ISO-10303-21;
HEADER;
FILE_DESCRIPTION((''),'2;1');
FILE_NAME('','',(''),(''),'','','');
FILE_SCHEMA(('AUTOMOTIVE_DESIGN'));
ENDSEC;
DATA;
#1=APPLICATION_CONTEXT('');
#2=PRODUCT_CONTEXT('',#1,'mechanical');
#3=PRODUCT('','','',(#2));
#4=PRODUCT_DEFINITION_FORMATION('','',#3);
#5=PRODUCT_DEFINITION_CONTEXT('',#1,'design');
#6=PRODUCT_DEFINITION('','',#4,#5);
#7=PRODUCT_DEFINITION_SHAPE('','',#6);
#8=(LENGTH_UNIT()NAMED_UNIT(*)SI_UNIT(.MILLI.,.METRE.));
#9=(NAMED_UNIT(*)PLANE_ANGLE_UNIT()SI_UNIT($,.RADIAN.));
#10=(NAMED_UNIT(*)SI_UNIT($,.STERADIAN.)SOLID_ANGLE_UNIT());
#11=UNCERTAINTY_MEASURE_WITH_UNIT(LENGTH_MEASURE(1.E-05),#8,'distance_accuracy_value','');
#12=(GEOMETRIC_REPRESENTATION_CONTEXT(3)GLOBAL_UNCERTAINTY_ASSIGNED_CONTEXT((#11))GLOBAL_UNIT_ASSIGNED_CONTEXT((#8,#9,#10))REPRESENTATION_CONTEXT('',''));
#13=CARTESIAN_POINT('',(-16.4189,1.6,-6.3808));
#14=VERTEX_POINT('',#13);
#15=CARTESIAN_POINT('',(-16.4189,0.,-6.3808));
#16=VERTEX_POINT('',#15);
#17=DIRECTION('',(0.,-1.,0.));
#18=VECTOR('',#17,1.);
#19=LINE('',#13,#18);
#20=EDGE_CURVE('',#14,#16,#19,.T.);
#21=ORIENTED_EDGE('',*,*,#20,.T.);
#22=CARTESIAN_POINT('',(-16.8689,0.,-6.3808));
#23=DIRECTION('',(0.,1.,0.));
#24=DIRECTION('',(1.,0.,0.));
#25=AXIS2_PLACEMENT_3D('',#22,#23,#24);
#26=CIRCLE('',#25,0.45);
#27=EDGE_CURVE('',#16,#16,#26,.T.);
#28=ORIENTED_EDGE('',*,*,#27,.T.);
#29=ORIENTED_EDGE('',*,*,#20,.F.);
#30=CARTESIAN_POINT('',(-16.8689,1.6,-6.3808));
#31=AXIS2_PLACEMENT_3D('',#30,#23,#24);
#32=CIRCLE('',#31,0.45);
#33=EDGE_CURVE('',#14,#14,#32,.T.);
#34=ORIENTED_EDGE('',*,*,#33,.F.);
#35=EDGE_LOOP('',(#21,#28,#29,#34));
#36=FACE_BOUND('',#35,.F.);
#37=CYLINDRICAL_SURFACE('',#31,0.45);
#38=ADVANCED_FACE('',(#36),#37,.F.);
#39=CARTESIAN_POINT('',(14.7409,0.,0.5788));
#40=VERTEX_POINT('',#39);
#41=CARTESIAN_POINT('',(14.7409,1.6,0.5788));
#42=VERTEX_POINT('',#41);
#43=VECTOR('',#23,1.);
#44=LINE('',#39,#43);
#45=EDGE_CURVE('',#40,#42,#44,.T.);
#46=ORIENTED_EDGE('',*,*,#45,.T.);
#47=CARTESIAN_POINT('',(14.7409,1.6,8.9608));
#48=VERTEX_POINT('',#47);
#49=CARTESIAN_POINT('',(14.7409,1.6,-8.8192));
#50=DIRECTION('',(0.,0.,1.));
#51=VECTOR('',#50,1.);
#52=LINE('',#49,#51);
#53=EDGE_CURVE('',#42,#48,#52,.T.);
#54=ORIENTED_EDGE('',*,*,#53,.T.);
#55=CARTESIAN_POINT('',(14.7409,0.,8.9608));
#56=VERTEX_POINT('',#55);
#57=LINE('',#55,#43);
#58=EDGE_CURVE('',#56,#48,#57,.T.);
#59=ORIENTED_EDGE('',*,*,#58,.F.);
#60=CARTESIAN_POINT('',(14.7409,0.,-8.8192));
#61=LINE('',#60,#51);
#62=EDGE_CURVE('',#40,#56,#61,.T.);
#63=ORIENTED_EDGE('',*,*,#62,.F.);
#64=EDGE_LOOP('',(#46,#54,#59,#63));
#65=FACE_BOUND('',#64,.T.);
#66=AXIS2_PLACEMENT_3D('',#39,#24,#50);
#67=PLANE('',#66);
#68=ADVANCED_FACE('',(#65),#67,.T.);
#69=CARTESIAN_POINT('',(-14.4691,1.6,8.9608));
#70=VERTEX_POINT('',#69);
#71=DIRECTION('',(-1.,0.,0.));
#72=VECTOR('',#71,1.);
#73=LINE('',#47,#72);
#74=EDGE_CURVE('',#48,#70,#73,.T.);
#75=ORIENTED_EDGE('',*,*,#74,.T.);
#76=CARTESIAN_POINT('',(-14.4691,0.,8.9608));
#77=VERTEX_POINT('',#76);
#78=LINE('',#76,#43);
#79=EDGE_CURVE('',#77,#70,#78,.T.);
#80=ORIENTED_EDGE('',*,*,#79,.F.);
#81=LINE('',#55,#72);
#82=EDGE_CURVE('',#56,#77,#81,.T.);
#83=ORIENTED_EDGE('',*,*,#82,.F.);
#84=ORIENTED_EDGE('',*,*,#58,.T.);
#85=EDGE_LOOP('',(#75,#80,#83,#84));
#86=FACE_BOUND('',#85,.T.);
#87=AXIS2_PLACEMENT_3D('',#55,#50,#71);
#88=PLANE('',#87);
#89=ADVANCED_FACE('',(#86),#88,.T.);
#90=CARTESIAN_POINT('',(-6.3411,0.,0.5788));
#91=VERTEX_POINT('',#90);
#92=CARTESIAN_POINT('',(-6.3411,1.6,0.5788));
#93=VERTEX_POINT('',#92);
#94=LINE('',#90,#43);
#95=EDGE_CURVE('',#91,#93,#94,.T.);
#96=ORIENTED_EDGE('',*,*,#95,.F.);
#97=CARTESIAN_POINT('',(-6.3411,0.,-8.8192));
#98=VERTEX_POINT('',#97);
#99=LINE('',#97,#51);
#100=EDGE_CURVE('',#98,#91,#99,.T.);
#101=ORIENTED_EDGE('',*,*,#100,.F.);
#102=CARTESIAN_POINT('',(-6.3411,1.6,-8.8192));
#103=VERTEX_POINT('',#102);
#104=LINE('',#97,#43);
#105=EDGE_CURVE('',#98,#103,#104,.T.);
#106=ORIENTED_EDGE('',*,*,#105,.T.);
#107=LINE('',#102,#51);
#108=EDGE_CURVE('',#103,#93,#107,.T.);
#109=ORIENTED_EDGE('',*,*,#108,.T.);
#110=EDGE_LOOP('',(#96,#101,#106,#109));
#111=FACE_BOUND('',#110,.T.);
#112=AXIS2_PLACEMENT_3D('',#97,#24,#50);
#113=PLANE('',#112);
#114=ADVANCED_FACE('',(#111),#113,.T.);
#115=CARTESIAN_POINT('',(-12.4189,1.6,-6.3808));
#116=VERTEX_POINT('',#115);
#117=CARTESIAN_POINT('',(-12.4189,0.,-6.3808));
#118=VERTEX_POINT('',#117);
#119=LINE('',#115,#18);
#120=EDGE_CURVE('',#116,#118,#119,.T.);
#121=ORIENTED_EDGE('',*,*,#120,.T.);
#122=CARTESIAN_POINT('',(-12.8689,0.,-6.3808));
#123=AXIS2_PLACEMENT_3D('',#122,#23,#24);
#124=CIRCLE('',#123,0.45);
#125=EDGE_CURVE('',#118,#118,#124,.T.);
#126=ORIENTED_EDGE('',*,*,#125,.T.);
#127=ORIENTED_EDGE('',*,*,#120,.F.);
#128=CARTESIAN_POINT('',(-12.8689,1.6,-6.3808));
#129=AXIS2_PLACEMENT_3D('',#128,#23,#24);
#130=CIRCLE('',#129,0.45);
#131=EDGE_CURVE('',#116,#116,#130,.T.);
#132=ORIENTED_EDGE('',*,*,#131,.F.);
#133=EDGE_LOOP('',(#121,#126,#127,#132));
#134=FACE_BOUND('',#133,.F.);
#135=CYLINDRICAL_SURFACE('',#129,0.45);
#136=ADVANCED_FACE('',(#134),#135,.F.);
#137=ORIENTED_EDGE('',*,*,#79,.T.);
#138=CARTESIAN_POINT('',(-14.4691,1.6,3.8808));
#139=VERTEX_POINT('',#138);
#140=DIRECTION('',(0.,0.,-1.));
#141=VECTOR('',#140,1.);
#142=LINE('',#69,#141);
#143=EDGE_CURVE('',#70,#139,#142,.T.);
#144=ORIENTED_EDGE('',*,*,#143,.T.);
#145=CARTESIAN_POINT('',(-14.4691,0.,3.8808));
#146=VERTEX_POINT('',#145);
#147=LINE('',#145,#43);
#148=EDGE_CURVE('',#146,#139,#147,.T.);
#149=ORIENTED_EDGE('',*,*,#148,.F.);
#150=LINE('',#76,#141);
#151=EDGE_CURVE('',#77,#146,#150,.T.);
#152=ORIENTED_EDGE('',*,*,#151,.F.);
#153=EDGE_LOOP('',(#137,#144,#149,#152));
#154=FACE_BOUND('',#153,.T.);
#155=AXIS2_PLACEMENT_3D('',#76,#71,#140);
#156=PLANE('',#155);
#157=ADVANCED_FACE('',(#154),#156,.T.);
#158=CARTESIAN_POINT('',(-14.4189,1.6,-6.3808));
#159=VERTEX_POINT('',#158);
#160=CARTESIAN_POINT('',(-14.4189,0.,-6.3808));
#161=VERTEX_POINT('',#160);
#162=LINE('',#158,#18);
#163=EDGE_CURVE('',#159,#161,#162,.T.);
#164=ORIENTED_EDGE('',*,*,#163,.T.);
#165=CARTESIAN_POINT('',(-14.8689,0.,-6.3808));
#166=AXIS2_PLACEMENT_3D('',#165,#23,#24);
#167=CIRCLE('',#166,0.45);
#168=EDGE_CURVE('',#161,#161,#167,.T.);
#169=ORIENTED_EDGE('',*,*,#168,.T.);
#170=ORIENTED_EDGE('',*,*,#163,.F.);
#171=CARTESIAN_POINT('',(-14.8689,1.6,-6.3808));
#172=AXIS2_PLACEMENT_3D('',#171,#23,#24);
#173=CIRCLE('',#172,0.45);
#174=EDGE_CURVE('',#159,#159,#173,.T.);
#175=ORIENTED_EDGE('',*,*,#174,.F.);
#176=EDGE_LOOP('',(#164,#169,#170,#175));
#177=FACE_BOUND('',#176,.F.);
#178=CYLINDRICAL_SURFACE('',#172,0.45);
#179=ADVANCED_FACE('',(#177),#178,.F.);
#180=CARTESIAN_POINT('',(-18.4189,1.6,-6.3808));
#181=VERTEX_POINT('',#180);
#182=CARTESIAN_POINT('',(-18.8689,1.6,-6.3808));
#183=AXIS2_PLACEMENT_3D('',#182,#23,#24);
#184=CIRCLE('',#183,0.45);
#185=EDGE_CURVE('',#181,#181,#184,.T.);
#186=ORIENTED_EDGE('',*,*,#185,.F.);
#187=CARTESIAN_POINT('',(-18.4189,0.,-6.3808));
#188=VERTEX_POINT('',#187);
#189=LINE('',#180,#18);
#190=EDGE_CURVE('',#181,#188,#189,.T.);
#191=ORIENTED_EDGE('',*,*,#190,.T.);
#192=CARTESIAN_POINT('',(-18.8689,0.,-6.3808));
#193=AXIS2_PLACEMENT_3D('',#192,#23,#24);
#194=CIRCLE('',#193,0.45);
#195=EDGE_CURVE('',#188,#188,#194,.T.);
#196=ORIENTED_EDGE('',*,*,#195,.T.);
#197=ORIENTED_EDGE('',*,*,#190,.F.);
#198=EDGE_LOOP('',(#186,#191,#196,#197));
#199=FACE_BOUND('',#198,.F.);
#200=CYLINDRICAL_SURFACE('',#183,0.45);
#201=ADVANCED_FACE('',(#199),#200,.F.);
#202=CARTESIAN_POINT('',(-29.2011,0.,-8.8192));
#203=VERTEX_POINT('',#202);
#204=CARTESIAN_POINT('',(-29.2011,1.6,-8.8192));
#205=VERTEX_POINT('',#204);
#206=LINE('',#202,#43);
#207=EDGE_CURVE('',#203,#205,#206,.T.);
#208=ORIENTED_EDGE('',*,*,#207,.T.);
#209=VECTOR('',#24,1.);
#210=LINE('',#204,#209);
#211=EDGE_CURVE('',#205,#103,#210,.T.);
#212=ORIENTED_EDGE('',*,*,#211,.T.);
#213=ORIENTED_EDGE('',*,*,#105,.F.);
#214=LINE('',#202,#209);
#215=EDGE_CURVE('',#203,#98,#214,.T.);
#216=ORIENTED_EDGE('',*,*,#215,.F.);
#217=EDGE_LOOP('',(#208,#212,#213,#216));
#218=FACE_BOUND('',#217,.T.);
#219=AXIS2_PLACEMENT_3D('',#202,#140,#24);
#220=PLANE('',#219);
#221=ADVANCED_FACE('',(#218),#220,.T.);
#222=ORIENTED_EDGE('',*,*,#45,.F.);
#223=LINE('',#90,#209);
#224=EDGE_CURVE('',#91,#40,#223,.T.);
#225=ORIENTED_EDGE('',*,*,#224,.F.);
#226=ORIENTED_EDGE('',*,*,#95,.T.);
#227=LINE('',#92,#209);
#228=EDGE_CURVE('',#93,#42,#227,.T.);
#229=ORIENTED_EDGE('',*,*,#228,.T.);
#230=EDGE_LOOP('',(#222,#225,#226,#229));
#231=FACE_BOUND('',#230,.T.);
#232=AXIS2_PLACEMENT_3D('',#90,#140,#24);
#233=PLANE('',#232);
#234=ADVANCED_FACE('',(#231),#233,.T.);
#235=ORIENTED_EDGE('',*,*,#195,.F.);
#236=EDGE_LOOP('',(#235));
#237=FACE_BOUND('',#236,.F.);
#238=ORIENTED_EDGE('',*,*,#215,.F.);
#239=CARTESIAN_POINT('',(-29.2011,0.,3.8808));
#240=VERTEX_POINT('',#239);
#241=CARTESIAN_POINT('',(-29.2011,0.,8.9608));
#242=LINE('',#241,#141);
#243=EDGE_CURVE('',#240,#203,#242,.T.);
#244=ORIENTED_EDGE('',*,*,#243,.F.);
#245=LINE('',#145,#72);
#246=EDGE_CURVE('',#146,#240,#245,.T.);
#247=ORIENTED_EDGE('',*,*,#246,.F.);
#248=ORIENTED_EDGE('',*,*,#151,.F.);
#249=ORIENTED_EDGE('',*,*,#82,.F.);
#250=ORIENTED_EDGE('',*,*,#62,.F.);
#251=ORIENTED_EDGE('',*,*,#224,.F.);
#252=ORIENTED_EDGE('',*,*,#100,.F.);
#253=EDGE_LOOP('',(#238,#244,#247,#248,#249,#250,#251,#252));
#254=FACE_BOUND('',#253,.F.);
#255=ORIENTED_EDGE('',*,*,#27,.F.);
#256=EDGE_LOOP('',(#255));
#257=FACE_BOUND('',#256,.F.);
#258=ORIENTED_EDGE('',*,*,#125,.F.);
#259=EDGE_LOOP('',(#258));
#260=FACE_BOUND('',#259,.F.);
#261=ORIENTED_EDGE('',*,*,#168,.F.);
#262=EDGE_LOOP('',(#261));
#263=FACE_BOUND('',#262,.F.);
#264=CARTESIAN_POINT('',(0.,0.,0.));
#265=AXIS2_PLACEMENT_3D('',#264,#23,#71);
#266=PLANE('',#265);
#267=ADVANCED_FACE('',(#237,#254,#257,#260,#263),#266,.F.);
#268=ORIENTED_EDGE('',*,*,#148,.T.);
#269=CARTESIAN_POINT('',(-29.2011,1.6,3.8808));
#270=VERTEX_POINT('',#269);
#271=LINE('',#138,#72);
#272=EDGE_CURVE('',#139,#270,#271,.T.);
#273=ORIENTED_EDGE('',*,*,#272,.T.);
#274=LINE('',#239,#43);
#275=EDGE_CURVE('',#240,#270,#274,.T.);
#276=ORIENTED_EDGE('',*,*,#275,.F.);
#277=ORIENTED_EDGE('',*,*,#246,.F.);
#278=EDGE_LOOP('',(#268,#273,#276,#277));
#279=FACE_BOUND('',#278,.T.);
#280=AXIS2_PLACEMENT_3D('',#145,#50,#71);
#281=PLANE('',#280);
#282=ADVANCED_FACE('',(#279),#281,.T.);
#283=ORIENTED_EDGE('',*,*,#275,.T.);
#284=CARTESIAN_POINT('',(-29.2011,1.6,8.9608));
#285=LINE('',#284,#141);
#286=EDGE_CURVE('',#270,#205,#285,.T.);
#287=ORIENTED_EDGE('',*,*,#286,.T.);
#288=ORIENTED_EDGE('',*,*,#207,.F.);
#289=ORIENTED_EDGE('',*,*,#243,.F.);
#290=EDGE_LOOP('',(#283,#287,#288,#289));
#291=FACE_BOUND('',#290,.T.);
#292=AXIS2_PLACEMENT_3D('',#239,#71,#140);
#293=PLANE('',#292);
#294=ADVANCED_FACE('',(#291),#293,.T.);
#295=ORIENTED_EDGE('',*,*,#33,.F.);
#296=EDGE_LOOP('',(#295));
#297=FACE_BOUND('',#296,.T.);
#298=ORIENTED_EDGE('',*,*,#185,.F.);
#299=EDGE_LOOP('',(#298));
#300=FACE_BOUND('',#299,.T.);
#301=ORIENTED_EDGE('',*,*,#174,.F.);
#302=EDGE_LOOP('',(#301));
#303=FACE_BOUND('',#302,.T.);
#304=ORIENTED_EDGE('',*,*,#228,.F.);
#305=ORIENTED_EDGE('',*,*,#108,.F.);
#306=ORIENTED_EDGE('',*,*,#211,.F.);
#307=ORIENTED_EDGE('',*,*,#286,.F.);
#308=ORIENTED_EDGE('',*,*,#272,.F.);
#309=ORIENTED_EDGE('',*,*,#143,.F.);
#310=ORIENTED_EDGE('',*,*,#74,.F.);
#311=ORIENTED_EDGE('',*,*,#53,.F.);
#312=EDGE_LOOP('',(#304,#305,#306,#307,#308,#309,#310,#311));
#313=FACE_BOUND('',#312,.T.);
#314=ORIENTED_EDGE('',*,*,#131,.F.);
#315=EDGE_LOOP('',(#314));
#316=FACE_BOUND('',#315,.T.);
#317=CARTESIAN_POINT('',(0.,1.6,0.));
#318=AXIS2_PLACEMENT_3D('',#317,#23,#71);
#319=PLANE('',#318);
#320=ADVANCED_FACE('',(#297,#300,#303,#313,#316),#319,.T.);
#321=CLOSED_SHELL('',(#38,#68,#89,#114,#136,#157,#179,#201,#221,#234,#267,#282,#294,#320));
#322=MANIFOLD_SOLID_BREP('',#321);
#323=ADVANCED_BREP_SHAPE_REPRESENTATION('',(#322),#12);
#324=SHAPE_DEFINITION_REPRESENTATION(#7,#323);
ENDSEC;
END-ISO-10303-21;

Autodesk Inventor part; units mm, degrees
ref_plane "YZ Plane" through (0, 0, 0) normal (1, 0, 0) x (0, 1, 0)
ref_plane "XZ Plane" through (0, 0, 0) normal (0, 1, 0) x (-1, 0, 0)
ref_plane "XY Plane" through (0, 0, 0) normal (0, 0, 1) x (1, 0, 0)
sketch "Sketch1" plane through (0, 0, 0) normal (0, 1, 0) x (-1, 0, 0)
  line L0 (-14.7409, 8.9608) -> (29.2011, 8.9608)
  line L1 (29.2011, 8.9608) -> (29.2011, -8.8192)
  line L2 (29.2011, -8.8192) -> (-14.7409, -8.8192)
  line L3 (-14.7409, -8.8192) -> (-14.7409, 8.9608)
  line L4 (-14.7409, 8.9608) -> (14.4691, 8.9608)
  line L5 (14.4691, 8.9608) -> (14.4691, 3.8808)
  line L6 (6.3411, 0.5788) -> (-14.7409, 0.5788)
  line L7 (-14.7409, 0.5788) -> (-14.7409, 8.9608)
  line L8 (29.2011, -8.8192) -> (6.3411, -8.8192)
  line L9 (6.3411, -8.8192) -> (6.3411, 0.5788)
  line L10 (14.4691, 3.8808) -> (29.2011, 3.8808)
  line L11 (29.2011, 3.8808) -> (29.2011, -8.8192)
  point P0 (0, 0)
  dimension "d0" = 43.942
  dimension "d1" = 17.78
  dimension "d2" = 21.082
  dimension "d3" = 14.732
  dimension "d4" = 9.398
  dimension "d5" = 5.08
extrude "Extrusion1" add sketch "Sketch1" along normal blind 1.6 contours L0 L5 L10 L1 L2 L9 L6 L3
sketch "Sketch2" plane through (0, 1.6, 0) normal (0, 1, 0) x (1, 0, 0)
  line L0 (-6.3411, -0.5788) -> (-6.3411, 8.8192) projected
  line L1 (-6.3411, 8.8192) -> (-29.2011, 8.8192) projected
  line L2 (-14.4691, -8.9608) -> (14.7409, -8.9608) projected
  circle A0 centre (-12.8689, 6.3808) radius 0.45
  line L3 (-18.8689, 6.3808) -> (-12.8689, 6.3808) construction
  circle A1 centre (-14.8689, 6.3808) radius 0.45
  circle A2 centre (-16.8689, 6.3808) radius 0.45
  circle A3 centre (-18.8689, 6.3808) radius 0.45
  point P0 (0, 0)
  dimension "d9" = 6.5278
  dimension "d15" = 0.9
  dimension "d16" = 2.4384
  dimension "d19" = 0.9
  dimension "d20" = 0.9
  dimension "d21" = 0.9
  dimension "d22" = 2
  dimension "d23" = 2
  dimension "d24" = 2
extrude "Extrusion2" cut sketch "Sketch2" against normal up to next
properties part number "MezzanineBoard"
